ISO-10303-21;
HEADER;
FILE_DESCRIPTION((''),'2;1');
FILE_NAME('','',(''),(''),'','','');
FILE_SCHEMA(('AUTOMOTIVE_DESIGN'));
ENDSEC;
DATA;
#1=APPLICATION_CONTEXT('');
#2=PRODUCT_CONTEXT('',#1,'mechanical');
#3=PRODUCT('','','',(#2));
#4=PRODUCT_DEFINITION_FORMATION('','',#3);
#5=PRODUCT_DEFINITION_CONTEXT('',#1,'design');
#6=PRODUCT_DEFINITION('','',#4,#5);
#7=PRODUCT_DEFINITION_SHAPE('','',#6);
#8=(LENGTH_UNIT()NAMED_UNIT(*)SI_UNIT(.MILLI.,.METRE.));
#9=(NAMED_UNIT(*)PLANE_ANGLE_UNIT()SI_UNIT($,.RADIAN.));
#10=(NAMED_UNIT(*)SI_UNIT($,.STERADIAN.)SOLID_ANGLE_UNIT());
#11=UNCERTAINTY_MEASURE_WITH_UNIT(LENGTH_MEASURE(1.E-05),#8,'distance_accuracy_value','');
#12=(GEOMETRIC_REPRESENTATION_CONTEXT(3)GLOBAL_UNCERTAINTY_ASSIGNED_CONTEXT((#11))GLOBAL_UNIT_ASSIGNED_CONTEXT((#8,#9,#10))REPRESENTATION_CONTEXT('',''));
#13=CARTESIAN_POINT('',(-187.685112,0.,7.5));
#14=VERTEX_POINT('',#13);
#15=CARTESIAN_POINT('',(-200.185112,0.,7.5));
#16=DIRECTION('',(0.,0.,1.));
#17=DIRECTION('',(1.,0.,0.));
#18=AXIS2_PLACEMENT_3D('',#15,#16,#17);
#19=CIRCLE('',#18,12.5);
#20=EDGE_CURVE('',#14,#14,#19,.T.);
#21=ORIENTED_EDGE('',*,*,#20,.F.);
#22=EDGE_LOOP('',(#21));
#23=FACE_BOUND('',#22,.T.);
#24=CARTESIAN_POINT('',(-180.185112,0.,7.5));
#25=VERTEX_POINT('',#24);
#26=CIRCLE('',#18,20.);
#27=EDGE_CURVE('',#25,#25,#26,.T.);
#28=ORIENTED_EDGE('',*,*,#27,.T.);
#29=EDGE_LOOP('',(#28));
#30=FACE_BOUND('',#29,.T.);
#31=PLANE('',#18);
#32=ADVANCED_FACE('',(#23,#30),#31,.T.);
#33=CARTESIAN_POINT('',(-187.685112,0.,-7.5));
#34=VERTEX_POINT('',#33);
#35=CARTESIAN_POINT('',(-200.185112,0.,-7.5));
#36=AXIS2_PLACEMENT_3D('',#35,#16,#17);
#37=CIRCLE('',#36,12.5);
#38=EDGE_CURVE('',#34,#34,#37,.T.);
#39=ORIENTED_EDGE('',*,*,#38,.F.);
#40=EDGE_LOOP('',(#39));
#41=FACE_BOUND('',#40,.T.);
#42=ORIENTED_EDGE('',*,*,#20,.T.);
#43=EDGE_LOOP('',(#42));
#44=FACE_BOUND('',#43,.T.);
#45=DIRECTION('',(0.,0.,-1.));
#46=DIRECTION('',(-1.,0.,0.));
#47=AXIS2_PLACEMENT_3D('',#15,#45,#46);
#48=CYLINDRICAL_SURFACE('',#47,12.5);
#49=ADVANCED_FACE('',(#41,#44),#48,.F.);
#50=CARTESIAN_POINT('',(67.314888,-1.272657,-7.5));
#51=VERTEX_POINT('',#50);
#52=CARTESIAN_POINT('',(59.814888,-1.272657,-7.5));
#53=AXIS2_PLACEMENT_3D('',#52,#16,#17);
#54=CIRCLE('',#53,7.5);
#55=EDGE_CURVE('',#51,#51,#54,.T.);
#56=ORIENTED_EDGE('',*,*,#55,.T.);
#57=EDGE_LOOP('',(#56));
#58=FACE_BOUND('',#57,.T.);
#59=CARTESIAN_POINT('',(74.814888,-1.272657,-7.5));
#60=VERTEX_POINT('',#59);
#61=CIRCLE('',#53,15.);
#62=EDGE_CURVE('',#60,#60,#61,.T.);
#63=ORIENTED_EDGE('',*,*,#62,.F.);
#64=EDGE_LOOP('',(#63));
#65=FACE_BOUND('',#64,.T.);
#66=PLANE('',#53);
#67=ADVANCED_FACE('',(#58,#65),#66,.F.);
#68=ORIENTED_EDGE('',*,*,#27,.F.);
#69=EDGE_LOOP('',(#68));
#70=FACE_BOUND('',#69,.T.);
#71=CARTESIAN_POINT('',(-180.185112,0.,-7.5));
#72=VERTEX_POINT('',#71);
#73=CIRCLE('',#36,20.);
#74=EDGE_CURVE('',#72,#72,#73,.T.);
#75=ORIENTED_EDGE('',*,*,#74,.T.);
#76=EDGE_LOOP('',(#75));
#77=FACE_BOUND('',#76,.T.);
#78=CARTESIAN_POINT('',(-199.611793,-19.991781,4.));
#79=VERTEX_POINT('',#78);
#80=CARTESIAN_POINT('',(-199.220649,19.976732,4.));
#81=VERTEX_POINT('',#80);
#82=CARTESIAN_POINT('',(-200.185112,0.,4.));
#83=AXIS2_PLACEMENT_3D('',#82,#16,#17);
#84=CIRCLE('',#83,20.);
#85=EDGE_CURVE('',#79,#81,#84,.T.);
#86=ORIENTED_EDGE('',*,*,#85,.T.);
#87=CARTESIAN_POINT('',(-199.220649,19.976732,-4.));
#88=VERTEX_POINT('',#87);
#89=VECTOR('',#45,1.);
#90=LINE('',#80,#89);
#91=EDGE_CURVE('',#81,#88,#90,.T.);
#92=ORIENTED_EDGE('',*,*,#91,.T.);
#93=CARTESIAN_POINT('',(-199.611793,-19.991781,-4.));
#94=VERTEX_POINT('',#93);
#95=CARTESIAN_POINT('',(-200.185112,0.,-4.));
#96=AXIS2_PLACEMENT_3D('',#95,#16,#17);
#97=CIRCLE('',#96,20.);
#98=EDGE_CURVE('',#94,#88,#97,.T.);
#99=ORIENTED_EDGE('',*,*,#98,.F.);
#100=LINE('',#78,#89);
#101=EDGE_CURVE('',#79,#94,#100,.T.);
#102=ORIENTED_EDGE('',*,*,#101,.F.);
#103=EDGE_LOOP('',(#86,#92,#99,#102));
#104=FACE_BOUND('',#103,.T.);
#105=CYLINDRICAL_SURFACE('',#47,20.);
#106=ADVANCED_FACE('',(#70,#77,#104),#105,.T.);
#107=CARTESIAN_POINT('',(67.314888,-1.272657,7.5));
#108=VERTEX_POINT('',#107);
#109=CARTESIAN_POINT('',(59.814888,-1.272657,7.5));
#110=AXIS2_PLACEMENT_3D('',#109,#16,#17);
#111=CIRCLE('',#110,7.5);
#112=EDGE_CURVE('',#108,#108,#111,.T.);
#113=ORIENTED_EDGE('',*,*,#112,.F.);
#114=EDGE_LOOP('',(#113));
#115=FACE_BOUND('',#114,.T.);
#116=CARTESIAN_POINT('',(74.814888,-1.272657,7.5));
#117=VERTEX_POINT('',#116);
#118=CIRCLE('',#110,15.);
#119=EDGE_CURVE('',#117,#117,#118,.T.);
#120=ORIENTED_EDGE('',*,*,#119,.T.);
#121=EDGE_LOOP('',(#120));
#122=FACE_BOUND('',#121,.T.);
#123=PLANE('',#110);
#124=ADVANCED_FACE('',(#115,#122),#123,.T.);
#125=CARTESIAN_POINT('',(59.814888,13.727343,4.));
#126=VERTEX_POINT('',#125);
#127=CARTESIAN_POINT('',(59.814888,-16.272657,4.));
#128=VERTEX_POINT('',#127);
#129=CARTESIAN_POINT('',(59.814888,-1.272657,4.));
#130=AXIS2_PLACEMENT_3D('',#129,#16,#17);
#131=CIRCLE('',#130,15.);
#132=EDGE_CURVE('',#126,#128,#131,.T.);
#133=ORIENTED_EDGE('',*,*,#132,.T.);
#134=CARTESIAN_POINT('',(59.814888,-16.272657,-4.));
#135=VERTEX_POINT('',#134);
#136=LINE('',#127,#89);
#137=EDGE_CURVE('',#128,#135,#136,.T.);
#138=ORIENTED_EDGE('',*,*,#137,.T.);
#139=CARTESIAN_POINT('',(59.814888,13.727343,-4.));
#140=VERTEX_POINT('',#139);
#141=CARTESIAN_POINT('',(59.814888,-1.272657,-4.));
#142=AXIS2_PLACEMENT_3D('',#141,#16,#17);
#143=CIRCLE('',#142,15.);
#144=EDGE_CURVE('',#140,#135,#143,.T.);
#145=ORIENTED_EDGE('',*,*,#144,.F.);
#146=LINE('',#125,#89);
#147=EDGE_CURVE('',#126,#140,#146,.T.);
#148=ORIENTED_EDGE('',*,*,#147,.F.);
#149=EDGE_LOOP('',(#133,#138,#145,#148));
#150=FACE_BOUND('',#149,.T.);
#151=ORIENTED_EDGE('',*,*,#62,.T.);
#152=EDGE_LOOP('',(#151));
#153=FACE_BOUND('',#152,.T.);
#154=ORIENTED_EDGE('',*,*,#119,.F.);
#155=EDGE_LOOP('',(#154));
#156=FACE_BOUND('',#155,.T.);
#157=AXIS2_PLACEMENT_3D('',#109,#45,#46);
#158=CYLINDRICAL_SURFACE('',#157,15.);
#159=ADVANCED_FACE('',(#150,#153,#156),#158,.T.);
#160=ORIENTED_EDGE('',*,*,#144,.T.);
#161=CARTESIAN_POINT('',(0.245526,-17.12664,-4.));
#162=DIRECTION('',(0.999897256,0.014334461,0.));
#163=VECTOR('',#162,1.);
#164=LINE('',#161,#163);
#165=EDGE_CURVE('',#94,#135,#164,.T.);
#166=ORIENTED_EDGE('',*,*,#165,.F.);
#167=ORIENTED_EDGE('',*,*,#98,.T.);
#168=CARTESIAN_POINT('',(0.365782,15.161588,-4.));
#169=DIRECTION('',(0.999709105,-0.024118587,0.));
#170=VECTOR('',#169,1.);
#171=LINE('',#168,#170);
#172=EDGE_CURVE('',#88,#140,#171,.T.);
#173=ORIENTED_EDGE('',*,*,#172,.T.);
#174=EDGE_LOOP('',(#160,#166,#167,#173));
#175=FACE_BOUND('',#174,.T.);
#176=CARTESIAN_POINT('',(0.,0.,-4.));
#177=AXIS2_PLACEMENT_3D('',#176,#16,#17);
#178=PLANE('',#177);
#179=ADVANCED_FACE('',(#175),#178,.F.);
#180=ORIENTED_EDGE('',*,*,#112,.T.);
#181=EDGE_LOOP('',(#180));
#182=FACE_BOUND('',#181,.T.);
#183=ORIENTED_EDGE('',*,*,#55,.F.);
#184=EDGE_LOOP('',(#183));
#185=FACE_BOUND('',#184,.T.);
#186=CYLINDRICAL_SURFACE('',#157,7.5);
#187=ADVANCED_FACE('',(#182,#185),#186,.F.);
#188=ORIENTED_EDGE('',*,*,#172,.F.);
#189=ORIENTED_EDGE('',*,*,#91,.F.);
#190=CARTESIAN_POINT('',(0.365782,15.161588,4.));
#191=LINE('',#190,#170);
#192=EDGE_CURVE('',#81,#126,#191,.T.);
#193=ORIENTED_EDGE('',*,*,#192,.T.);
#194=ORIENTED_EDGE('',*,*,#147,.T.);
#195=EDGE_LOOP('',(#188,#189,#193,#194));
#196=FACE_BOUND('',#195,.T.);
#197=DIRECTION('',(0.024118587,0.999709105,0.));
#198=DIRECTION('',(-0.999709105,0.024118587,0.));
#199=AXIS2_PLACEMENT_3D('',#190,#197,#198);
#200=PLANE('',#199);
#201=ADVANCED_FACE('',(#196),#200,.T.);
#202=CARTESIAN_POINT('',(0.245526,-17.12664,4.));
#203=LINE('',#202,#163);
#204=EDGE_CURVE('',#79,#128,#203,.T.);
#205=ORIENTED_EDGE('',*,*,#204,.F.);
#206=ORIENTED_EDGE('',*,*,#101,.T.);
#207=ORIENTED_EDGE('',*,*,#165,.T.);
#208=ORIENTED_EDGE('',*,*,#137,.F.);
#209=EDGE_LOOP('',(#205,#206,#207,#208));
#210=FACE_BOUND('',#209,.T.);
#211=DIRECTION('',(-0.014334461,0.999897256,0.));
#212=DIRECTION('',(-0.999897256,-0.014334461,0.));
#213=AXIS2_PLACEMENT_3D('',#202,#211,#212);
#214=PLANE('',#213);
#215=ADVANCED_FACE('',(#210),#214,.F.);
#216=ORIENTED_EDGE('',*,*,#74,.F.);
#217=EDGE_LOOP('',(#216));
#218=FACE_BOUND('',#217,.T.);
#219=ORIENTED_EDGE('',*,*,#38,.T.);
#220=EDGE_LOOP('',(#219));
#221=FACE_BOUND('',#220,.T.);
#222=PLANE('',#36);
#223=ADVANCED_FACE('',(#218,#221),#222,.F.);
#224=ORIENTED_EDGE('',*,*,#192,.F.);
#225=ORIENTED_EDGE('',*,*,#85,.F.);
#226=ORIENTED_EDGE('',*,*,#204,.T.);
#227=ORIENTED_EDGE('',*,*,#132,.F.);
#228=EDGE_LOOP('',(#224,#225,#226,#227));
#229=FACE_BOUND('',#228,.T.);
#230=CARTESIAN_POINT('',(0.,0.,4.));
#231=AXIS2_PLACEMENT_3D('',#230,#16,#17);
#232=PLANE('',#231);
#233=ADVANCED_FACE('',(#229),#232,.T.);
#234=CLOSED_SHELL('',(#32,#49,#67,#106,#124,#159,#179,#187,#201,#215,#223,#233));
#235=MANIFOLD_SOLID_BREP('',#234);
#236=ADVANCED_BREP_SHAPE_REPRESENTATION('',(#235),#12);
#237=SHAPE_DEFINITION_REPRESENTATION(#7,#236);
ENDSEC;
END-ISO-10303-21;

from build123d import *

# Parameters (mm, degrees)
BOSS_EXTRUDE1_DEPTH = 4
SKETCH2_R           = 20
SKETCH2_R_2         = 12.5
SKETCH2_R_3         = 15
SKETCH2_R_4         = 7.5
BOSS_EXTRUDE2_DEPTH = 7.5


with BuildPart() as part:
    # Sketch1 → Boss-Extrude1 (new, symmetric)
    with BuildSketch(Plane.XY):
        with BuildLine():
            Line((59.81488788, 13.727342811), (-199.220649297, 19.976731751))
            ThreePointArc((-199.220649297, 19.976731751), (-185.706002057, 13.796933419), (-180.18511212, 0))
            ThreePointArc((-180.18511212, 0), (-185.84170962, -13.937962718), (-199.611792592, -19.991780929))
            Line((-199.611792592, -19.991780929), (59.81488788, -16.272657189))
            ThreePointArc((59.81488788, -16.272657189), (44.81488788, -1.272657189), (59.81488788, 13.727342811))
        make_face()
    extrude(amount=BOSS_EXTRUDE1_DEPTH, both=True)

    # Sketch2 → Boss-Extrude2 (add, symmetric)
    # profile 1 of 2: a face of its own
    with BuildSketch(Plane.XY):
        with Locations((-200.18511212, 0)):
            Circle(SKETCH2_R)
        with Locations((-200.18511212, 0)):
            Circle(SKETCH2_R_2, mode=Mode.SUBTRACT)
    # profile 2 of 2: a face of its own
    with BuildSketch(Plane.XY):
        with Locations((59.81488788, -1.272657189)):
            Circle(SKETCH2_R_3)
        with Locations((59.81488788, -1.272657189)):
            Circle(SKETCH2_R_4, mode=Mode.SUBTRACT)
    extrude(amount=BOSS_EXTRUDE2_DEPTH, both=True)


solid = part.part
